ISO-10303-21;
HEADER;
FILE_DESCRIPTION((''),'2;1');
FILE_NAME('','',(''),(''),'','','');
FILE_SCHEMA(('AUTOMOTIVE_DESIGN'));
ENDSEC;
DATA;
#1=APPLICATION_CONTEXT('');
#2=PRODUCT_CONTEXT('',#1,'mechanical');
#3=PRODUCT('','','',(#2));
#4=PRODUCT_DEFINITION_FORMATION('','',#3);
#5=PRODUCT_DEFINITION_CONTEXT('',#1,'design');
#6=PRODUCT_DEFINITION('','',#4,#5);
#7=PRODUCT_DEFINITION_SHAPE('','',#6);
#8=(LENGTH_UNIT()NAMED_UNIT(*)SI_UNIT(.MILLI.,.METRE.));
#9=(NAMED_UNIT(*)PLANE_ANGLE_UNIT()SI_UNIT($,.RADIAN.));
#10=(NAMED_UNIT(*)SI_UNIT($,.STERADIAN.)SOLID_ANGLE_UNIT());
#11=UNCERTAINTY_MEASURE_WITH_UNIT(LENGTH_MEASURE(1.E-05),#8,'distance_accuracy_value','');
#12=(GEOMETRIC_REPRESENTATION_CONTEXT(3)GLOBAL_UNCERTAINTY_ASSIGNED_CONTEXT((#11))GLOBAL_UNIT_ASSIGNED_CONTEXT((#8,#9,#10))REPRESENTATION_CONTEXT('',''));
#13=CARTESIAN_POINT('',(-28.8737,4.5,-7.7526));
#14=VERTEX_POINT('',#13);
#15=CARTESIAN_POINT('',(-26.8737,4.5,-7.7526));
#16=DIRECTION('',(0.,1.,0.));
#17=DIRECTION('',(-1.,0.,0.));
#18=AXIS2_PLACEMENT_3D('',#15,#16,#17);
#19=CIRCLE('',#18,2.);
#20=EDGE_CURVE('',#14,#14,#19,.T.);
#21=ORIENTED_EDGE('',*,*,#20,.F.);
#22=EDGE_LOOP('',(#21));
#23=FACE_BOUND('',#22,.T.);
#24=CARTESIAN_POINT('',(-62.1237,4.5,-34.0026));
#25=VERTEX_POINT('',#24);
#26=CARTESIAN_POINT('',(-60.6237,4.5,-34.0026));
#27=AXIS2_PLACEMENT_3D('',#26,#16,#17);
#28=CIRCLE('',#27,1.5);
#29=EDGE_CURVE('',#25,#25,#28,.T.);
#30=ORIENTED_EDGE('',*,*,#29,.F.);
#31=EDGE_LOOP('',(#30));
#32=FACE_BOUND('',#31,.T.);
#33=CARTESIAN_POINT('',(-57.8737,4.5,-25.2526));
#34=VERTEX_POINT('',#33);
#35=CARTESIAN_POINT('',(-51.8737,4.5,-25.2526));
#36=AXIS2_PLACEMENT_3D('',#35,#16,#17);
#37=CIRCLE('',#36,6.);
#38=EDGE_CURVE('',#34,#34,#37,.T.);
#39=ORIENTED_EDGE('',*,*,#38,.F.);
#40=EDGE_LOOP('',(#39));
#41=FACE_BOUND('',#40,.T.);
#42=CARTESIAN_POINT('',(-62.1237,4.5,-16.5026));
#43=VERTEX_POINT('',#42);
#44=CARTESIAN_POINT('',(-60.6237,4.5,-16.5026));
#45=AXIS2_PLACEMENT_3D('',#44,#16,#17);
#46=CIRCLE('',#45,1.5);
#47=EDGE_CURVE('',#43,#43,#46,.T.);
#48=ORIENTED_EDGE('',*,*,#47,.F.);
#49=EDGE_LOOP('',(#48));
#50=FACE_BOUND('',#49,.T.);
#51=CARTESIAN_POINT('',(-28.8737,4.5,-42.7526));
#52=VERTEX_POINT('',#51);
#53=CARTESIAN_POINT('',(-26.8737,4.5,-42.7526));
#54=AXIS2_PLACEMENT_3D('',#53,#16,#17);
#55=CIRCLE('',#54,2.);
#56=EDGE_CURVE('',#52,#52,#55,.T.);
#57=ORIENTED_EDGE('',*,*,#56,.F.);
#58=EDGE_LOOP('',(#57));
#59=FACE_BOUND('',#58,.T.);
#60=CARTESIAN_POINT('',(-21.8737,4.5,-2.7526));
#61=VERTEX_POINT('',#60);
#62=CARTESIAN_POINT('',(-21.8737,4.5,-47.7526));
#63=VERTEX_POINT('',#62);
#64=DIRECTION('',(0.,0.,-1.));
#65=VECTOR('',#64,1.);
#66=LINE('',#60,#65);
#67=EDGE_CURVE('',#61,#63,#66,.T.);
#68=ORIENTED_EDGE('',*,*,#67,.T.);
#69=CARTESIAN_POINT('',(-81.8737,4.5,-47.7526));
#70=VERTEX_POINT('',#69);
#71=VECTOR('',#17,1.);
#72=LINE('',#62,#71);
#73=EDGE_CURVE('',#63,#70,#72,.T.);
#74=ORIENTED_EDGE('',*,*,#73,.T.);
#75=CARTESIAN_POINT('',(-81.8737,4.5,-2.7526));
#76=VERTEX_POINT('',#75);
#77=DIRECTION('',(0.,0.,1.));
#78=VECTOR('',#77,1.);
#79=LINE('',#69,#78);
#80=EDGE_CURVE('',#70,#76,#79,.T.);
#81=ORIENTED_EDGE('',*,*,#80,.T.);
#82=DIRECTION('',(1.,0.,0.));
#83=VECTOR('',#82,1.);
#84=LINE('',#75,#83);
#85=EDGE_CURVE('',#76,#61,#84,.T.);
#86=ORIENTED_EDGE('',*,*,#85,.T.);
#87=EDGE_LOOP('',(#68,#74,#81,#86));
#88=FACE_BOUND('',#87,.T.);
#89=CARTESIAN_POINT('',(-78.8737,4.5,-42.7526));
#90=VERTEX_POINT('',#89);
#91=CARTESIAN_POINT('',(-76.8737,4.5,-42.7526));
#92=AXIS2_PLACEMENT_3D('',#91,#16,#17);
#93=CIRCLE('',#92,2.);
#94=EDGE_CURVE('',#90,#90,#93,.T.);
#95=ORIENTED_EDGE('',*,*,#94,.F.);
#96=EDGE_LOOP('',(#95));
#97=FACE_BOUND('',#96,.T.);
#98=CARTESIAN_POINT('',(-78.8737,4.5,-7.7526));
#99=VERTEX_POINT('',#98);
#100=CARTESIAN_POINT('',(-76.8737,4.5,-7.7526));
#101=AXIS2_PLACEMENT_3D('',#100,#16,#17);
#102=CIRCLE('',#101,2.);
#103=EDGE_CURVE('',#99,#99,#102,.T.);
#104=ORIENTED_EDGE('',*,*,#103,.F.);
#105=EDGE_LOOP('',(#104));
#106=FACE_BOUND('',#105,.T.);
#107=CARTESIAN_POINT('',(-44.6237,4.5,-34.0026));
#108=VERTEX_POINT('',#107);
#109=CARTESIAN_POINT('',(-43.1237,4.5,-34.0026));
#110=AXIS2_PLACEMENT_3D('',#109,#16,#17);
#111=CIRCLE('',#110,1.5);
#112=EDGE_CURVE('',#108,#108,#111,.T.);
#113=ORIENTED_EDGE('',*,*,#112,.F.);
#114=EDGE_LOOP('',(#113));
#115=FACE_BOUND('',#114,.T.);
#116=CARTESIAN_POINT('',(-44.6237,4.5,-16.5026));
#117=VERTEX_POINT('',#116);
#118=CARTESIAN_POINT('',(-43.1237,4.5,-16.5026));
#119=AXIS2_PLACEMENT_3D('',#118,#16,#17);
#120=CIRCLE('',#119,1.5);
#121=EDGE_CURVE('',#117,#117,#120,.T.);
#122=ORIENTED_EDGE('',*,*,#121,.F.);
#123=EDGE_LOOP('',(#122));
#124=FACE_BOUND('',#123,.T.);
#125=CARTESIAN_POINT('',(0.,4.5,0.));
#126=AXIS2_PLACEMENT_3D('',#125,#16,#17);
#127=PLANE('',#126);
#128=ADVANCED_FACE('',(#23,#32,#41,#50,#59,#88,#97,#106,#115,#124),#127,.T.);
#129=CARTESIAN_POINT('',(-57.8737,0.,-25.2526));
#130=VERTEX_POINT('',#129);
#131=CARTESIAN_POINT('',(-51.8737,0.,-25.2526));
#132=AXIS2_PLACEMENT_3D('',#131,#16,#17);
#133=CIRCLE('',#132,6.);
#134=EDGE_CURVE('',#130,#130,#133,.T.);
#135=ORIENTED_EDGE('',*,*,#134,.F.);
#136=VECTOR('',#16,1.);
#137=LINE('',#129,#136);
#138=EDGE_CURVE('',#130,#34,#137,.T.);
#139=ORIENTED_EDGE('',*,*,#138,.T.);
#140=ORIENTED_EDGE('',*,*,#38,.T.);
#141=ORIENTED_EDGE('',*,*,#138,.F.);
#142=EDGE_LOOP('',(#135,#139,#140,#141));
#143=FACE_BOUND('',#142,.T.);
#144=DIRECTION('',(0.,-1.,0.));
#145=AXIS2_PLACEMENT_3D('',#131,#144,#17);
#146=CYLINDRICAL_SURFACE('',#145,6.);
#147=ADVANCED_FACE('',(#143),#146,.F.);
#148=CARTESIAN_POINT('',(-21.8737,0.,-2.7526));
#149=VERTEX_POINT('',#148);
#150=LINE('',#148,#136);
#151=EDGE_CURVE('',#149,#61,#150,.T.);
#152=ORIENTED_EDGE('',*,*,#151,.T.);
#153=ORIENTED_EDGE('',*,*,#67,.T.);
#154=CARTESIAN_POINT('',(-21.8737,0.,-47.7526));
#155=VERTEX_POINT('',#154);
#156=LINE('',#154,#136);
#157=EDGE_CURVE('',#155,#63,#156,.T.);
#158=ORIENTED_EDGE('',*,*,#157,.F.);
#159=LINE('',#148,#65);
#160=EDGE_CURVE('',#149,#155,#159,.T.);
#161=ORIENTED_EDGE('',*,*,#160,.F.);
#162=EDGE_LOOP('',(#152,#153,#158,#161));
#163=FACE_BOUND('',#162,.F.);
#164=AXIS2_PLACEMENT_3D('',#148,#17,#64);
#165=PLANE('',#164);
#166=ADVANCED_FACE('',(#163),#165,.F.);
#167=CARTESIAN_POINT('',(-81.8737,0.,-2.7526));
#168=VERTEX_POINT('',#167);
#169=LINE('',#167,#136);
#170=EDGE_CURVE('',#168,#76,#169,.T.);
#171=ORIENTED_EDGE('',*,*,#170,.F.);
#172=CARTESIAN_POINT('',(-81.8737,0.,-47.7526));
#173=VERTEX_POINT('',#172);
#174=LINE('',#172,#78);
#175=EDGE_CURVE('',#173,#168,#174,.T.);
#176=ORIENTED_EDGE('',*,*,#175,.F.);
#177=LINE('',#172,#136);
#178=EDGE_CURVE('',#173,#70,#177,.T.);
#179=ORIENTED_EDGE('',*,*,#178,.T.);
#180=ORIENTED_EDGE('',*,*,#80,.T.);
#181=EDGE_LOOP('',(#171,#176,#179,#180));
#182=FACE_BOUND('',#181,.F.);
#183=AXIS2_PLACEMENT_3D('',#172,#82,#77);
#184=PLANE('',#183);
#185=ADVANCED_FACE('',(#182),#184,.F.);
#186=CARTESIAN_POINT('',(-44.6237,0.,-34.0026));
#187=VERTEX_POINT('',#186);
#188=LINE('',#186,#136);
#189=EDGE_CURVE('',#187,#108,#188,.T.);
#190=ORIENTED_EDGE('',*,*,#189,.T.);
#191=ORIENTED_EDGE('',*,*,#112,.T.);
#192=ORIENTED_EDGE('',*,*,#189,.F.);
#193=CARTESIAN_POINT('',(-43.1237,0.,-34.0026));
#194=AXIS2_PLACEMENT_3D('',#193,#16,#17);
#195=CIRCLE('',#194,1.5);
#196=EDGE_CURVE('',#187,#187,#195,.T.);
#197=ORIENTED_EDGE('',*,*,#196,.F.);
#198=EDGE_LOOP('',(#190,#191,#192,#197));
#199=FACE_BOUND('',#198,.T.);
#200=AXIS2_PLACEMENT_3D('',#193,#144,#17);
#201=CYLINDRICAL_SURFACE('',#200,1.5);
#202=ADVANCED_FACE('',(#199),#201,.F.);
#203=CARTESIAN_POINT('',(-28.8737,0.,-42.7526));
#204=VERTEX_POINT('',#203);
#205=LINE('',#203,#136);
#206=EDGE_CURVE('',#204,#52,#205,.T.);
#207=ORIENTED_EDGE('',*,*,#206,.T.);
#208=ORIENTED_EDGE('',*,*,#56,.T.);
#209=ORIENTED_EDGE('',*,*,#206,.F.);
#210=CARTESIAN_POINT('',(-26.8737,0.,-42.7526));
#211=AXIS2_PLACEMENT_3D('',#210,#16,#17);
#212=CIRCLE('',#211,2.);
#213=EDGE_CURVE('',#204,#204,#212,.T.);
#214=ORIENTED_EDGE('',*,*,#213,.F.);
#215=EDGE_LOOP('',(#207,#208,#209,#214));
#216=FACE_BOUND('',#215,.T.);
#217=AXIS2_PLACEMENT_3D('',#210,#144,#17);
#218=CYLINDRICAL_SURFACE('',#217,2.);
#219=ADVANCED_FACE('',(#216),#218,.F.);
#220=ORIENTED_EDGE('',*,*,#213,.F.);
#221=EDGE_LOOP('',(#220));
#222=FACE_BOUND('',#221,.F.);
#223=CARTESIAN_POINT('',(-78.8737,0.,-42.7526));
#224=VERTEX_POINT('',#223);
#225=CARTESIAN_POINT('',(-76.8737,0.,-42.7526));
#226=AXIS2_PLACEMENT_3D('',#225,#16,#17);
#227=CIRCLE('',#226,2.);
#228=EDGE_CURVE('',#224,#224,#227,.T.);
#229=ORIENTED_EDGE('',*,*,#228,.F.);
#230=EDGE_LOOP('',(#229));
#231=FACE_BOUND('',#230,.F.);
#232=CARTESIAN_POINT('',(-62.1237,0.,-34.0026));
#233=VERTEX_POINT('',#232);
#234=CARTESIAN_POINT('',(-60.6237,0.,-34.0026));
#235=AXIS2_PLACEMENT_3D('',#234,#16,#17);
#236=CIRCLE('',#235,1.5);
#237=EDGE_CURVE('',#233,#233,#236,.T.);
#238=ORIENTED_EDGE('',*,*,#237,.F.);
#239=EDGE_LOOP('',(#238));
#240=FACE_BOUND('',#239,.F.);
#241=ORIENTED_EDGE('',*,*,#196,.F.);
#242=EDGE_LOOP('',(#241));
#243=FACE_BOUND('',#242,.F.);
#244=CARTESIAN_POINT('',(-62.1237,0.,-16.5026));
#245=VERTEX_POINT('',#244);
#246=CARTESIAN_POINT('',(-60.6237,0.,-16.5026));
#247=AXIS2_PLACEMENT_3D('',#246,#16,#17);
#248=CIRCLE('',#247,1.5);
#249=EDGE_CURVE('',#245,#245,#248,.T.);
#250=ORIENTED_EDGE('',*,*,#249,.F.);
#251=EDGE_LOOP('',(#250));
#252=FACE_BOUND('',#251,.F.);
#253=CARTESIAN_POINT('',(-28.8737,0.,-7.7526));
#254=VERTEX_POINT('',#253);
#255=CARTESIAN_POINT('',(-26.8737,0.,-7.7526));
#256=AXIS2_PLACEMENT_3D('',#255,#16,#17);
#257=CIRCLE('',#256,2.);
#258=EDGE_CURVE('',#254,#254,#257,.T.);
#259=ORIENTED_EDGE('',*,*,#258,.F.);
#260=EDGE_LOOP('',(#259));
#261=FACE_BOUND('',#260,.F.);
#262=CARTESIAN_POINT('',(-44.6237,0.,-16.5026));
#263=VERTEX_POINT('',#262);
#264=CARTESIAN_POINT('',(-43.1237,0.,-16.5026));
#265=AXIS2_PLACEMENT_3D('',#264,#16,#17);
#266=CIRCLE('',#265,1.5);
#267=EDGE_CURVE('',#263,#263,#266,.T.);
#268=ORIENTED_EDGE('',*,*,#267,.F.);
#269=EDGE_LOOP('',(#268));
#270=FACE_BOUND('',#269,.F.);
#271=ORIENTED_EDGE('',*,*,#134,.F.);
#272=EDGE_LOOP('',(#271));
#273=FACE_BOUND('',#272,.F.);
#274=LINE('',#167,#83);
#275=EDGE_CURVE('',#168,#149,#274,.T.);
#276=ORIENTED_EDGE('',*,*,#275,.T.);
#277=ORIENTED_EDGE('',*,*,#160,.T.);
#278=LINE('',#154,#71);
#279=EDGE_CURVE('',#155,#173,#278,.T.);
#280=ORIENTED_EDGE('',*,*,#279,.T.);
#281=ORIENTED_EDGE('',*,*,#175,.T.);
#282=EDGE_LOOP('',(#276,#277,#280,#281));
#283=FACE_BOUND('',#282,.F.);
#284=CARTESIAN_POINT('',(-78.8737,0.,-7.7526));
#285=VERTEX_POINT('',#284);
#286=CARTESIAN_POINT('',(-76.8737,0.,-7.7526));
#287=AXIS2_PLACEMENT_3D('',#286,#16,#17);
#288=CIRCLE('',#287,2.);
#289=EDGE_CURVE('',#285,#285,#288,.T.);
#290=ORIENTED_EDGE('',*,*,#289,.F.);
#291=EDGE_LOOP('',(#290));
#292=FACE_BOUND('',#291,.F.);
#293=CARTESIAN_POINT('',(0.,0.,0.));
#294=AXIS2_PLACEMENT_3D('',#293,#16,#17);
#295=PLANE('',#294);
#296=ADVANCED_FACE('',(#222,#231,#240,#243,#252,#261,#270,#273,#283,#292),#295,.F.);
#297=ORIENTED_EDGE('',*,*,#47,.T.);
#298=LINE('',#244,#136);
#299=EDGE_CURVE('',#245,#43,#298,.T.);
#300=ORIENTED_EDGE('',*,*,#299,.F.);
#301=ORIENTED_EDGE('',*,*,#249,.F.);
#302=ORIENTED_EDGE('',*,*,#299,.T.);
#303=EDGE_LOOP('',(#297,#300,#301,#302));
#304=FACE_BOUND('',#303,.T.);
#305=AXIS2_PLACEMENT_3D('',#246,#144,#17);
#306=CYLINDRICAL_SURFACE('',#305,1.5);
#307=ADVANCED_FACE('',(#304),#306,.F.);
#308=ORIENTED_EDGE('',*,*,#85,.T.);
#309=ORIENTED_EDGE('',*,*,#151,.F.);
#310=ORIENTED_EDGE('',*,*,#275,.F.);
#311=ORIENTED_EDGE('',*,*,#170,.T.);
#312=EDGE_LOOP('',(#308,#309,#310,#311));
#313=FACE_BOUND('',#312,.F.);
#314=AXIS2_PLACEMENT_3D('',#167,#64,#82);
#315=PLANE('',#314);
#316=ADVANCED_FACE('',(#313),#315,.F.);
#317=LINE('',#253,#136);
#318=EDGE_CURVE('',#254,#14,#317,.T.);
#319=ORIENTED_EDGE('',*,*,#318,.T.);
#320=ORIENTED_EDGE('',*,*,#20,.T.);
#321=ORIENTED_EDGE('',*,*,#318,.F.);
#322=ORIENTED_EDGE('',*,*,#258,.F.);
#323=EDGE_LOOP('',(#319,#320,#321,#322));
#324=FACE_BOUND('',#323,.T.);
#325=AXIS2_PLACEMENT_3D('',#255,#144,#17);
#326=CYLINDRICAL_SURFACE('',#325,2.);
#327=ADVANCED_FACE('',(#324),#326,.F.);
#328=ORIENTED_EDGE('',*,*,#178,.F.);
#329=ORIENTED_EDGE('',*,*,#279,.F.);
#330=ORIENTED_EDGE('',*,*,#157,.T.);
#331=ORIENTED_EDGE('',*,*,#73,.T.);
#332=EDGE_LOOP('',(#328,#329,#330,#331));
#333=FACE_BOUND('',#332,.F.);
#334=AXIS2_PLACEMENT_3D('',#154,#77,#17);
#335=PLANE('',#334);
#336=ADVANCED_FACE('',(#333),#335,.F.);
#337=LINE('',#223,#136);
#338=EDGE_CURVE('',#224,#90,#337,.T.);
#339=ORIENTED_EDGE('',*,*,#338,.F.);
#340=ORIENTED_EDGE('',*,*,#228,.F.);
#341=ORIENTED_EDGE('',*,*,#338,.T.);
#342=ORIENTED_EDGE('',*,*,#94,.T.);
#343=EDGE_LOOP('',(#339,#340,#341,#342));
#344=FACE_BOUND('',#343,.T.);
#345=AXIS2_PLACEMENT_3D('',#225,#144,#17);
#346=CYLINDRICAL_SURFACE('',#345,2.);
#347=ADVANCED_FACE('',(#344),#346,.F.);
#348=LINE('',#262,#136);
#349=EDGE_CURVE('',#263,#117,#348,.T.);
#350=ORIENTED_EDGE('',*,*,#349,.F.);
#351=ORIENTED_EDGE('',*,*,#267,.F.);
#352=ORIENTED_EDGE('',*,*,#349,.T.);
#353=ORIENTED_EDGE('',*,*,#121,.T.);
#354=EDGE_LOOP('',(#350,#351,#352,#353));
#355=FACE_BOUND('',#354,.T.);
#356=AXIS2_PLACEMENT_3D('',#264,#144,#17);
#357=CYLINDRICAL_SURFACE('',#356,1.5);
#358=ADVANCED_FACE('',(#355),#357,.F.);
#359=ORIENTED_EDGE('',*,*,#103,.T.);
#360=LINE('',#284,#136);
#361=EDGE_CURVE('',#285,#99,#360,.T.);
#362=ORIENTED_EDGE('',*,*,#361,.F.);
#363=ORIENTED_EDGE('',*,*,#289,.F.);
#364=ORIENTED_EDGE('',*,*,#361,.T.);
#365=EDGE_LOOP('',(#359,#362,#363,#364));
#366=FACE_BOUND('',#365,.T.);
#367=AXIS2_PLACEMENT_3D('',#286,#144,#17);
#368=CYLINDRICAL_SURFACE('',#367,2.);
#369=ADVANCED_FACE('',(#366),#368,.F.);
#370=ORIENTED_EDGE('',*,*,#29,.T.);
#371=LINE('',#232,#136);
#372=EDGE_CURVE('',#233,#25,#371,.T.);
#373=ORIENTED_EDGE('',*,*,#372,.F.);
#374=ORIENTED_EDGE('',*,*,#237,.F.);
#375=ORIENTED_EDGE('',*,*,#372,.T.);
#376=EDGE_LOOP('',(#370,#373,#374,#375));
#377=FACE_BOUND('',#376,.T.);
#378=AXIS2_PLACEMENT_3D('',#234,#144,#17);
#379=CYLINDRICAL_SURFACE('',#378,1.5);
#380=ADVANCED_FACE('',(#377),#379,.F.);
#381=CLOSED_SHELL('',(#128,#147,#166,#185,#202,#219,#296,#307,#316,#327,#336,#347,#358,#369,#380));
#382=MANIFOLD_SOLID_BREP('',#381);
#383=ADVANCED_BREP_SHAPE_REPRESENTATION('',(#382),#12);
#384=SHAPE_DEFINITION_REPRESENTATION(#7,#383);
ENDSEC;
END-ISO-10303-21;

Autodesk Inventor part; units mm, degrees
ref_plane "YZ Plane" through (0, 0, 0) normal (1, 0, 0) x (0, 1, 0)
ref_plane "XZ Plane" through (0, 0, 0) normal (0, 1, 0) x (-1, 0, 0)
ref_plane "XY Plane" through (0, 0, 0) normal (0, 0, 1) x (1, 0, 0)
sketch "Sketch1" plane through (0, 0, 0) normal (0, 1, 0) x (-1, 0, 0)
  line L0 (0, 0) -> (114.8965, 0) construction
  line L1 (114.8965, 0) -> (114.8965, -52.636) construction
  line L2 (114.8965, -52.636) -> (0, -52.636) construction
  line L3 (0, -52.636) -> (0, 0) construction
  line L4 (81.8737, -2.7526) -> (21.8737, -2.7526)
  line L5 (21.8737, -2.7526) -> (21.8737, -47.7526)
  line L6 (21.8737, -47.7526) -> (81.8737, -47.7526)
  line L7 (81.8737, -47.7526) -> (81.8737, -2.7526)
  circle A0 centre (76.8737, -7.7526) radius 2
  circle A1 centre (51.8737, -25.2526) radius 6
  circle A2 centre (26.8737, -7.7526) radius 2
  circle A3 centre (76.8737, -42.7526) radius 2
  circle A4 centre (26.8737, -42.7526) radius 2
  circle A5 centre (43.1237, -16.5026) radius 1.5
  circle A6 centre (43.1237, -34.0026) radius 1.5
  circle A7 centre (60.6237, -34.0026) radius 1.5
  circle A8 centre (60.6237, -16.5026) radius 1.5
  point P0 (51.8737, -47.7526)
  dimension "d1" = 60
  dimension "d4" = 45
  dimension "d5" = 4
  dimension "d6" = 5
  dimension "d7" = 5
  dimension "d9" = 12
  dimension "d10" = 22.5
  dimension "d11" = 30
  dimension "d16" = 50
  dimension "d19" = 35
  dimension "d37" = 3
  dimension "d49" = 360
  dimension "d52" = 17.5
extrude "Extrusion1" add sketch "Sketch1" along normal blind 4.5
properties part number "MotorBasePlate"
